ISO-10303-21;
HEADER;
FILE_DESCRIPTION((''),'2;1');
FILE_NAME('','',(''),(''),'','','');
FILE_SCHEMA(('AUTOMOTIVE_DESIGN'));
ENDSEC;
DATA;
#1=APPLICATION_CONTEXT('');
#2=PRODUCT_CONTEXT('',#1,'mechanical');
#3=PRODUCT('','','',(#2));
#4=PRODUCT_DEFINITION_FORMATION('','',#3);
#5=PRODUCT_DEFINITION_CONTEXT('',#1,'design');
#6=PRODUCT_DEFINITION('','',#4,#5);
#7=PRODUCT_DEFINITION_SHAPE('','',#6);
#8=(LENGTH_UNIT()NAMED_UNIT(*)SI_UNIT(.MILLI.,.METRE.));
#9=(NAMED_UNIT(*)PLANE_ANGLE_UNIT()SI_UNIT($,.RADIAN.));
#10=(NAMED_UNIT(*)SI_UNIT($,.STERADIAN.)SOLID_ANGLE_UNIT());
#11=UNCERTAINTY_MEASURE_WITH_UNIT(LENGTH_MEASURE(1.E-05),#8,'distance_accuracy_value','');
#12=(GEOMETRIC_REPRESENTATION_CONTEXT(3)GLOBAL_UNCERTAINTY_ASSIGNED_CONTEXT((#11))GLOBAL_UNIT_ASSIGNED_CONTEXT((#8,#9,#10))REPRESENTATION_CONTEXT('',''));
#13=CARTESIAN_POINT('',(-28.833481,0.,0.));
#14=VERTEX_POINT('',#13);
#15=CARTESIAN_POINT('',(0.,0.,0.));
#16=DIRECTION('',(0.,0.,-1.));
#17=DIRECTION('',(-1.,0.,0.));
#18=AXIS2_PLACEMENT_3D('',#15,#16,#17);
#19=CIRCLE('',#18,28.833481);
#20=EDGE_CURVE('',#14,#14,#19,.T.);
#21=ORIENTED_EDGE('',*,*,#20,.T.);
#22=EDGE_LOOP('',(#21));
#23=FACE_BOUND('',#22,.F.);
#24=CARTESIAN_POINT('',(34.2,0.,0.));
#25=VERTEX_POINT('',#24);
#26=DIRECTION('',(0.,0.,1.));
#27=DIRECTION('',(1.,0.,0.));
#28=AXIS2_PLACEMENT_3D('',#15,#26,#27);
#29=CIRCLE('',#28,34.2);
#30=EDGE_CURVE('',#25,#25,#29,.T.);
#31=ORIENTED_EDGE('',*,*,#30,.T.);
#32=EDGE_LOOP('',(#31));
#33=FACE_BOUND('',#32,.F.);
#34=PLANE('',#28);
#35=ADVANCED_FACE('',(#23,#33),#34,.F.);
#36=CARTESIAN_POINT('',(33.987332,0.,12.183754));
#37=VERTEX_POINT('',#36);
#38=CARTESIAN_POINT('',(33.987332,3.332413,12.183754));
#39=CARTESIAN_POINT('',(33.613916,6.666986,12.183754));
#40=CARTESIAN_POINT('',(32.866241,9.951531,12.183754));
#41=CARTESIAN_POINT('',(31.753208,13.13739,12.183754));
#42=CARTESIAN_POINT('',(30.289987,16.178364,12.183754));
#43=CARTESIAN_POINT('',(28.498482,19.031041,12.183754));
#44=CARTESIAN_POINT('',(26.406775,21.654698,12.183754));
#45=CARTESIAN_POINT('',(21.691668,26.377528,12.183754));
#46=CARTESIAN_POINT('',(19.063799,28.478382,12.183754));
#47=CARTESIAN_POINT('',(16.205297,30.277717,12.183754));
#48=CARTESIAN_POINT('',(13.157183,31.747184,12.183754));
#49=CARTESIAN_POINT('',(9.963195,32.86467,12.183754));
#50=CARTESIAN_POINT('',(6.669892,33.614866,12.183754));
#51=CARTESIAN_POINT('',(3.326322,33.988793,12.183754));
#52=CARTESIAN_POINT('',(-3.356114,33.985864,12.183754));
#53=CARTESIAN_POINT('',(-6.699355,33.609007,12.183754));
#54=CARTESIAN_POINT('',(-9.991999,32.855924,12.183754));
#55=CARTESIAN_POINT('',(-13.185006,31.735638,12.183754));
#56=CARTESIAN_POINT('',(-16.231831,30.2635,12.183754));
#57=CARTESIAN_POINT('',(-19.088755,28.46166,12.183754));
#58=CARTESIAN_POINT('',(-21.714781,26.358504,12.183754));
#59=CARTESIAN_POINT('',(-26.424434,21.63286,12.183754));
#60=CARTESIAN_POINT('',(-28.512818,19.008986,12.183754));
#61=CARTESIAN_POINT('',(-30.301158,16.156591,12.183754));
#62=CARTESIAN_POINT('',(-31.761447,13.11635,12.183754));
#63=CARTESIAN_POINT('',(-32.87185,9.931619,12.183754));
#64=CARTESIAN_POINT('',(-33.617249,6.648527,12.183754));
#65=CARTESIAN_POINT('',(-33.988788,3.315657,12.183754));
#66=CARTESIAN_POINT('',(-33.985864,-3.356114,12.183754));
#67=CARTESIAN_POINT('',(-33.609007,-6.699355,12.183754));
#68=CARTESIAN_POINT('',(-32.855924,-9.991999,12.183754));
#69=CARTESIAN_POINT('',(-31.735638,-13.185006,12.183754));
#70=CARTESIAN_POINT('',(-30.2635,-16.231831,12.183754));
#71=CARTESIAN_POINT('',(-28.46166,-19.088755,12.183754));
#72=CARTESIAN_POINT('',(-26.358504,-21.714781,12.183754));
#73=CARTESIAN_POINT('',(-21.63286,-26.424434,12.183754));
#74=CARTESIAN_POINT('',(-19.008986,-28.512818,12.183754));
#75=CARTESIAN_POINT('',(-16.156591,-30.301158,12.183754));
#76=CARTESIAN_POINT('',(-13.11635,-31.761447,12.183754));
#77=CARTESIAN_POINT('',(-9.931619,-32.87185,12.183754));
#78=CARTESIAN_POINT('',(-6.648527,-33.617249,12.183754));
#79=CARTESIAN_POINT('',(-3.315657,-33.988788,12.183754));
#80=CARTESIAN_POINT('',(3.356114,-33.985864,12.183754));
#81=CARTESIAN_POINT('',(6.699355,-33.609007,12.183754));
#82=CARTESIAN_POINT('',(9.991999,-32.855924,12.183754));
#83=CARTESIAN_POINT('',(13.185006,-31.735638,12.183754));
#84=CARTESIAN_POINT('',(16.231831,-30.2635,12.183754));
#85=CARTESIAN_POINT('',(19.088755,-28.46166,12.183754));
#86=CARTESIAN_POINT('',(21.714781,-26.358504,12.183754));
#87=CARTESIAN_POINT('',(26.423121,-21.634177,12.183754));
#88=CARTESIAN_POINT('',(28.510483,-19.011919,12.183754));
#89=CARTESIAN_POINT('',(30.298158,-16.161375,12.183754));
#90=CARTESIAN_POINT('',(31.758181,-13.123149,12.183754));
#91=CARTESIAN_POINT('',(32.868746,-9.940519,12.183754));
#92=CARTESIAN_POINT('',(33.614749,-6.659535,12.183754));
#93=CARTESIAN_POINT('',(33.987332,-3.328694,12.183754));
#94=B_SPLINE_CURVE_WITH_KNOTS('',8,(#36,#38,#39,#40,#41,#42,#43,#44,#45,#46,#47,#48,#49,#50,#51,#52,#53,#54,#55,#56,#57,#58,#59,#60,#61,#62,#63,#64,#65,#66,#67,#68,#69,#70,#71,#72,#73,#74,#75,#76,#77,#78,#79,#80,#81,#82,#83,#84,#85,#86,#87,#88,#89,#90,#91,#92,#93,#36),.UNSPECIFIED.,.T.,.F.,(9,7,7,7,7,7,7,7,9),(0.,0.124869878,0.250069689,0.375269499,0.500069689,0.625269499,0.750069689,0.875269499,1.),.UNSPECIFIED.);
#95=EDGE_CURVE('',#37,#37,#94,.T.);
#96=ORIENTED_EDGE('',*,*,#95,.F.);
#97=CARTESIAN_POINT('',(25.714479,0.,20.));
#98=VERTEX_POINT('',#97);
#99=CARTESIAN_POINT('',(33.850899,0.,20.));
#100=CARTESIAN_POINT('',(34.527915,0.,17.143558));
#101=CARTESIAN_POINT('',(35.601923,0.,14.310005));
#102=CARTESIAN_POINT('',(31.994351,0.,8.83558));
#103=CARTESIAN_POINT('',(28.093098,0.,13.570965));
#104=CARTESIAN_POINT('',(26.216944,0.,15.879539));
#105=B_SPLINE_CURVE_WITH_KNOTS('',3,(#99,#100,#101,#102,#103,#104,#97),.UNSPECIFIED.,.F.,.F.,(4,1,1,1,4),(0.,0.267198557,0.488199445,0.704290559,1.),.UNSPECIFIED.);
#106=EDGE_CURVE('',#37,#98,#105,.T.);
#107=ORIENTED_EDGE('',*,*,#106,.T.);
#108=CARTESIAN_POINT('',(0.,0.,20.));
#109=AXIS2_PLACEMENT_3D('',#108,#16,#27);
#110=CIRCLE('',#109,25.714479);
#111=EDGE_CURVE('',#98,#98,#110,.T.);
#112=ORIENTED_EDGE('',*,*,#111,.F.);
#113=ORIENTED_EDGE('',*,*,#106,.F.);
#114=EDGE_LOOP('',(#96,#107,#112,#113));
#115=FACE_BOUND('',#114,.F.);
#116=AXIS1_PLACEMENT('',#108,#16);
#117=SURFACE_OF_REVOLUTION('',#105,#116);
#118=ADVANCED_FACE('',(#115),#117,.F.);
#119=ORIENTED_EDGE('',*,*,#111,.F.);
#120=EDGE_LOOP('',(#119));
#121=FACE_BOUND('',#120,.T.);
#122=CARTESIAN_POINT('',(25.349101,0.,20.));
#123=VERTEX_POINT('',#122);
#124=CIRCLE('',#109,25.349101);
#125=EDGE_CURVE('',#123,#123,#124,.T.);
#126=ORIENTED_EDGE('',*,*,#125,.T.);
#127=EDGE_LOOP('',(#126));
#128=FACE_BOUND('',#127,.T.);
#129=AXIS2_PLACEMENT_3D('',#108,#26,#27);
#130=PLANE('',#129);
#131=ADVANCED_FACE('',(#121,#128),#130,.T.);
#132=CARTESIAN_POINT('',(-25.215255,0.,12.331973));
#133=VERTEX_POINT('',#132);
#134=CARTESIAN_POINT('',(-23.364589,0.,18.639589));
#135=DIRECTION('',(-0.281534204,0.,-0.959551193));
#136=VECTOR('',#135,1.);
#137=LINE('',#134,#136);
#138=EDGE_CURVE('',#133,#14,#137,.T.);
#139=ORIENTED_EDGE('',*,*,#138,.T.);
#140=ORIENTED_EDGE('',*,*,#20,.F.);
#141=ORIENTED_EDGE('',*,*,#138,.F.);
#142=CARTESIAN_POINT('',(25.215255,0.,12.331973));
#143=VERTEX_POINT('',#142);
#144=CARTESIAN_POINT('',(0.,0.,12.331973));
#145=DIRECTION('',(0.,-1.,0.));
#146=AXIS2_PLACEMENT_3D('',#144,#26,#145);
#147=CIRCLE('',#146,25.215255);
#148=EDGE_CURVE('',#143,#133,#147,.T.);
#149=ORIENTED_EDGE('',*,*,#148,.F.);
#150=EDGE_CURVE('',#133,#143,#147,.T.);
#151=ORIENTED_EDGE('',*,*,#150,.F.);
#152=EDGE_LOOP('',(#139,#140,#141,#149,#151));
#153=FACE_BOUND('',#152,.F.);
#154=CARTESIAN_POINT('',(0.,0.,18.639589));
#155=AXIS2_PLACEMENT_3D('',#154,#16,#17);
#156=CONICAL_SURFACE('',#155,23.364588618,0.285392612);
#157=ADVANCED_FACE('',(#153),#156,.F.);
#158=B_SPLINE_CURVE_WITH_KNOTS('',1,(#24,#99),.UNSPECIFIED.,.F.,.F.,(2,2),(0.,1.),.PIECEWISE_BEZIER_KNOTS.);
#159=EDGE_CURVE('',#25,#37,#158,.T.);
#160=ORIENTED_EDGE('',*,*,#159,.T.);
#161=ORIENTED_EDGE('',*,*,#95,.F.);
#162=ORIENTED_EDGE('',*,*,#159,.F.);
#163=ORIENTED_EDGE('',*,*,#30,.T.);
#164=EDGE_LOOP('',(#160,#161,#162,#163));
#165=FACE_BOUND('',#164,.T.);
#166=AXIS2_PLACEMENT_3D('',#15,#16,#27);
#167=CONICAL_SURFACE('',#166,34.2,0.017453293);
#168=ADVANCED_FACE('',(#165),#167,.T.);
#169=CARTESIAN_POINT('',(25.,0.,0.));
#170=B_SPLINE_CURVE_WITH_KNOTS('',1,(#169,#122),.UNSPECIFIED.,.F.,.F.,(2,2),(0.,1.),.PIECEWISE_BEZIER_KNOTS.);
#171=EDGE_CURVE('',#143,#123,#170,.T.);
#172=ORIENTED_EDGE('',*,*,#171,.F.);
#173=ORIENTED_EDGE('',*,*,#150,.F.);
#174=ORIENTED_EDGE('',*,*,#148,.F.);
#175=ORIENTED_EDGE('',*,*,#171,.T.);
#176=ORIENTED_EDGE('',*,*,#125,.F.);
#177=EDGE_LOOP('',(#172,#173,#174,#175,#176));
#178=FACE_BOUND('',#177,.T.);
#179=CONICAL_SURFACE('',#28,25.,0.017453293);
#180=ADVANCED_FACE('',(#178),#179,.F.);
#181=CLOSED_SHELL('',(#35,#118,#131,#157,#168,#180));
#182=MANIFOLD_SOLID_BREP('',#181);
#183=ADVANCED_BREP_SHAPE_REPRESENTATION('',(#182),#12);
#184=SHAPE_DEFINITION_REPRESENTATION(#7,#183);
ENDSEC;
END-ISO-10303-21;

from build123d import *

# Parameters (mm, degrees)
F0_R     = 34.2
F0_R_2   = 25
F1_DEPTH = 20
F1_TAPER = 1


with BuildPart() as f1:
    # F0 (on Top) → F1 (new body)
    with BuildSketch(Plane.XY):
        Circle(F0_R)
        Circle(F0_R_2, mode=Mode.SUBTRACT)
    extrude(amount=F1_DEPTH, taper=F1_TAPER)

    # F2 (on Front) → F3 (revolve, cut)
    with BuildSketch(Plane.XZ):
        with BuildLine():
            add(Edge.make_bspline(
                [(33.8508987014, 20), (34.5279154674, 17.1435580228), (35.6019225021, 14.3100054706), (31.9943513722, 8.8355799611), (28.0930977125, 13.5709649723), (26.2169436245, 15.879539299), (25.7144793868, 20)],
                knots=[0, 0, 0, 0, 0.2671985565, 0.4881994445, 0.7042905591, 1, 1, 1, 1], degree=3))
            Line((33.8508987014, 20), (25.7144793868, 20))
        make_face()
    revolve(axis=Axis((0, 0, 20), (0, 0, -1)), mode=Mode.SUBTRACT)

    # F4 (on Front) → F5 (revolve, cut)
    with BuildSketch(Plane.XZ):
        Polygon((-23.3645886183, 18.6395887285), (-28.8334805518, 0), (-18.9926475286, 0), align=None)
    revolve(axis=Axis((0, 0, 20), (0, 0, -1)), mode=Mode.SUBTRACT)


solid = f1.part
